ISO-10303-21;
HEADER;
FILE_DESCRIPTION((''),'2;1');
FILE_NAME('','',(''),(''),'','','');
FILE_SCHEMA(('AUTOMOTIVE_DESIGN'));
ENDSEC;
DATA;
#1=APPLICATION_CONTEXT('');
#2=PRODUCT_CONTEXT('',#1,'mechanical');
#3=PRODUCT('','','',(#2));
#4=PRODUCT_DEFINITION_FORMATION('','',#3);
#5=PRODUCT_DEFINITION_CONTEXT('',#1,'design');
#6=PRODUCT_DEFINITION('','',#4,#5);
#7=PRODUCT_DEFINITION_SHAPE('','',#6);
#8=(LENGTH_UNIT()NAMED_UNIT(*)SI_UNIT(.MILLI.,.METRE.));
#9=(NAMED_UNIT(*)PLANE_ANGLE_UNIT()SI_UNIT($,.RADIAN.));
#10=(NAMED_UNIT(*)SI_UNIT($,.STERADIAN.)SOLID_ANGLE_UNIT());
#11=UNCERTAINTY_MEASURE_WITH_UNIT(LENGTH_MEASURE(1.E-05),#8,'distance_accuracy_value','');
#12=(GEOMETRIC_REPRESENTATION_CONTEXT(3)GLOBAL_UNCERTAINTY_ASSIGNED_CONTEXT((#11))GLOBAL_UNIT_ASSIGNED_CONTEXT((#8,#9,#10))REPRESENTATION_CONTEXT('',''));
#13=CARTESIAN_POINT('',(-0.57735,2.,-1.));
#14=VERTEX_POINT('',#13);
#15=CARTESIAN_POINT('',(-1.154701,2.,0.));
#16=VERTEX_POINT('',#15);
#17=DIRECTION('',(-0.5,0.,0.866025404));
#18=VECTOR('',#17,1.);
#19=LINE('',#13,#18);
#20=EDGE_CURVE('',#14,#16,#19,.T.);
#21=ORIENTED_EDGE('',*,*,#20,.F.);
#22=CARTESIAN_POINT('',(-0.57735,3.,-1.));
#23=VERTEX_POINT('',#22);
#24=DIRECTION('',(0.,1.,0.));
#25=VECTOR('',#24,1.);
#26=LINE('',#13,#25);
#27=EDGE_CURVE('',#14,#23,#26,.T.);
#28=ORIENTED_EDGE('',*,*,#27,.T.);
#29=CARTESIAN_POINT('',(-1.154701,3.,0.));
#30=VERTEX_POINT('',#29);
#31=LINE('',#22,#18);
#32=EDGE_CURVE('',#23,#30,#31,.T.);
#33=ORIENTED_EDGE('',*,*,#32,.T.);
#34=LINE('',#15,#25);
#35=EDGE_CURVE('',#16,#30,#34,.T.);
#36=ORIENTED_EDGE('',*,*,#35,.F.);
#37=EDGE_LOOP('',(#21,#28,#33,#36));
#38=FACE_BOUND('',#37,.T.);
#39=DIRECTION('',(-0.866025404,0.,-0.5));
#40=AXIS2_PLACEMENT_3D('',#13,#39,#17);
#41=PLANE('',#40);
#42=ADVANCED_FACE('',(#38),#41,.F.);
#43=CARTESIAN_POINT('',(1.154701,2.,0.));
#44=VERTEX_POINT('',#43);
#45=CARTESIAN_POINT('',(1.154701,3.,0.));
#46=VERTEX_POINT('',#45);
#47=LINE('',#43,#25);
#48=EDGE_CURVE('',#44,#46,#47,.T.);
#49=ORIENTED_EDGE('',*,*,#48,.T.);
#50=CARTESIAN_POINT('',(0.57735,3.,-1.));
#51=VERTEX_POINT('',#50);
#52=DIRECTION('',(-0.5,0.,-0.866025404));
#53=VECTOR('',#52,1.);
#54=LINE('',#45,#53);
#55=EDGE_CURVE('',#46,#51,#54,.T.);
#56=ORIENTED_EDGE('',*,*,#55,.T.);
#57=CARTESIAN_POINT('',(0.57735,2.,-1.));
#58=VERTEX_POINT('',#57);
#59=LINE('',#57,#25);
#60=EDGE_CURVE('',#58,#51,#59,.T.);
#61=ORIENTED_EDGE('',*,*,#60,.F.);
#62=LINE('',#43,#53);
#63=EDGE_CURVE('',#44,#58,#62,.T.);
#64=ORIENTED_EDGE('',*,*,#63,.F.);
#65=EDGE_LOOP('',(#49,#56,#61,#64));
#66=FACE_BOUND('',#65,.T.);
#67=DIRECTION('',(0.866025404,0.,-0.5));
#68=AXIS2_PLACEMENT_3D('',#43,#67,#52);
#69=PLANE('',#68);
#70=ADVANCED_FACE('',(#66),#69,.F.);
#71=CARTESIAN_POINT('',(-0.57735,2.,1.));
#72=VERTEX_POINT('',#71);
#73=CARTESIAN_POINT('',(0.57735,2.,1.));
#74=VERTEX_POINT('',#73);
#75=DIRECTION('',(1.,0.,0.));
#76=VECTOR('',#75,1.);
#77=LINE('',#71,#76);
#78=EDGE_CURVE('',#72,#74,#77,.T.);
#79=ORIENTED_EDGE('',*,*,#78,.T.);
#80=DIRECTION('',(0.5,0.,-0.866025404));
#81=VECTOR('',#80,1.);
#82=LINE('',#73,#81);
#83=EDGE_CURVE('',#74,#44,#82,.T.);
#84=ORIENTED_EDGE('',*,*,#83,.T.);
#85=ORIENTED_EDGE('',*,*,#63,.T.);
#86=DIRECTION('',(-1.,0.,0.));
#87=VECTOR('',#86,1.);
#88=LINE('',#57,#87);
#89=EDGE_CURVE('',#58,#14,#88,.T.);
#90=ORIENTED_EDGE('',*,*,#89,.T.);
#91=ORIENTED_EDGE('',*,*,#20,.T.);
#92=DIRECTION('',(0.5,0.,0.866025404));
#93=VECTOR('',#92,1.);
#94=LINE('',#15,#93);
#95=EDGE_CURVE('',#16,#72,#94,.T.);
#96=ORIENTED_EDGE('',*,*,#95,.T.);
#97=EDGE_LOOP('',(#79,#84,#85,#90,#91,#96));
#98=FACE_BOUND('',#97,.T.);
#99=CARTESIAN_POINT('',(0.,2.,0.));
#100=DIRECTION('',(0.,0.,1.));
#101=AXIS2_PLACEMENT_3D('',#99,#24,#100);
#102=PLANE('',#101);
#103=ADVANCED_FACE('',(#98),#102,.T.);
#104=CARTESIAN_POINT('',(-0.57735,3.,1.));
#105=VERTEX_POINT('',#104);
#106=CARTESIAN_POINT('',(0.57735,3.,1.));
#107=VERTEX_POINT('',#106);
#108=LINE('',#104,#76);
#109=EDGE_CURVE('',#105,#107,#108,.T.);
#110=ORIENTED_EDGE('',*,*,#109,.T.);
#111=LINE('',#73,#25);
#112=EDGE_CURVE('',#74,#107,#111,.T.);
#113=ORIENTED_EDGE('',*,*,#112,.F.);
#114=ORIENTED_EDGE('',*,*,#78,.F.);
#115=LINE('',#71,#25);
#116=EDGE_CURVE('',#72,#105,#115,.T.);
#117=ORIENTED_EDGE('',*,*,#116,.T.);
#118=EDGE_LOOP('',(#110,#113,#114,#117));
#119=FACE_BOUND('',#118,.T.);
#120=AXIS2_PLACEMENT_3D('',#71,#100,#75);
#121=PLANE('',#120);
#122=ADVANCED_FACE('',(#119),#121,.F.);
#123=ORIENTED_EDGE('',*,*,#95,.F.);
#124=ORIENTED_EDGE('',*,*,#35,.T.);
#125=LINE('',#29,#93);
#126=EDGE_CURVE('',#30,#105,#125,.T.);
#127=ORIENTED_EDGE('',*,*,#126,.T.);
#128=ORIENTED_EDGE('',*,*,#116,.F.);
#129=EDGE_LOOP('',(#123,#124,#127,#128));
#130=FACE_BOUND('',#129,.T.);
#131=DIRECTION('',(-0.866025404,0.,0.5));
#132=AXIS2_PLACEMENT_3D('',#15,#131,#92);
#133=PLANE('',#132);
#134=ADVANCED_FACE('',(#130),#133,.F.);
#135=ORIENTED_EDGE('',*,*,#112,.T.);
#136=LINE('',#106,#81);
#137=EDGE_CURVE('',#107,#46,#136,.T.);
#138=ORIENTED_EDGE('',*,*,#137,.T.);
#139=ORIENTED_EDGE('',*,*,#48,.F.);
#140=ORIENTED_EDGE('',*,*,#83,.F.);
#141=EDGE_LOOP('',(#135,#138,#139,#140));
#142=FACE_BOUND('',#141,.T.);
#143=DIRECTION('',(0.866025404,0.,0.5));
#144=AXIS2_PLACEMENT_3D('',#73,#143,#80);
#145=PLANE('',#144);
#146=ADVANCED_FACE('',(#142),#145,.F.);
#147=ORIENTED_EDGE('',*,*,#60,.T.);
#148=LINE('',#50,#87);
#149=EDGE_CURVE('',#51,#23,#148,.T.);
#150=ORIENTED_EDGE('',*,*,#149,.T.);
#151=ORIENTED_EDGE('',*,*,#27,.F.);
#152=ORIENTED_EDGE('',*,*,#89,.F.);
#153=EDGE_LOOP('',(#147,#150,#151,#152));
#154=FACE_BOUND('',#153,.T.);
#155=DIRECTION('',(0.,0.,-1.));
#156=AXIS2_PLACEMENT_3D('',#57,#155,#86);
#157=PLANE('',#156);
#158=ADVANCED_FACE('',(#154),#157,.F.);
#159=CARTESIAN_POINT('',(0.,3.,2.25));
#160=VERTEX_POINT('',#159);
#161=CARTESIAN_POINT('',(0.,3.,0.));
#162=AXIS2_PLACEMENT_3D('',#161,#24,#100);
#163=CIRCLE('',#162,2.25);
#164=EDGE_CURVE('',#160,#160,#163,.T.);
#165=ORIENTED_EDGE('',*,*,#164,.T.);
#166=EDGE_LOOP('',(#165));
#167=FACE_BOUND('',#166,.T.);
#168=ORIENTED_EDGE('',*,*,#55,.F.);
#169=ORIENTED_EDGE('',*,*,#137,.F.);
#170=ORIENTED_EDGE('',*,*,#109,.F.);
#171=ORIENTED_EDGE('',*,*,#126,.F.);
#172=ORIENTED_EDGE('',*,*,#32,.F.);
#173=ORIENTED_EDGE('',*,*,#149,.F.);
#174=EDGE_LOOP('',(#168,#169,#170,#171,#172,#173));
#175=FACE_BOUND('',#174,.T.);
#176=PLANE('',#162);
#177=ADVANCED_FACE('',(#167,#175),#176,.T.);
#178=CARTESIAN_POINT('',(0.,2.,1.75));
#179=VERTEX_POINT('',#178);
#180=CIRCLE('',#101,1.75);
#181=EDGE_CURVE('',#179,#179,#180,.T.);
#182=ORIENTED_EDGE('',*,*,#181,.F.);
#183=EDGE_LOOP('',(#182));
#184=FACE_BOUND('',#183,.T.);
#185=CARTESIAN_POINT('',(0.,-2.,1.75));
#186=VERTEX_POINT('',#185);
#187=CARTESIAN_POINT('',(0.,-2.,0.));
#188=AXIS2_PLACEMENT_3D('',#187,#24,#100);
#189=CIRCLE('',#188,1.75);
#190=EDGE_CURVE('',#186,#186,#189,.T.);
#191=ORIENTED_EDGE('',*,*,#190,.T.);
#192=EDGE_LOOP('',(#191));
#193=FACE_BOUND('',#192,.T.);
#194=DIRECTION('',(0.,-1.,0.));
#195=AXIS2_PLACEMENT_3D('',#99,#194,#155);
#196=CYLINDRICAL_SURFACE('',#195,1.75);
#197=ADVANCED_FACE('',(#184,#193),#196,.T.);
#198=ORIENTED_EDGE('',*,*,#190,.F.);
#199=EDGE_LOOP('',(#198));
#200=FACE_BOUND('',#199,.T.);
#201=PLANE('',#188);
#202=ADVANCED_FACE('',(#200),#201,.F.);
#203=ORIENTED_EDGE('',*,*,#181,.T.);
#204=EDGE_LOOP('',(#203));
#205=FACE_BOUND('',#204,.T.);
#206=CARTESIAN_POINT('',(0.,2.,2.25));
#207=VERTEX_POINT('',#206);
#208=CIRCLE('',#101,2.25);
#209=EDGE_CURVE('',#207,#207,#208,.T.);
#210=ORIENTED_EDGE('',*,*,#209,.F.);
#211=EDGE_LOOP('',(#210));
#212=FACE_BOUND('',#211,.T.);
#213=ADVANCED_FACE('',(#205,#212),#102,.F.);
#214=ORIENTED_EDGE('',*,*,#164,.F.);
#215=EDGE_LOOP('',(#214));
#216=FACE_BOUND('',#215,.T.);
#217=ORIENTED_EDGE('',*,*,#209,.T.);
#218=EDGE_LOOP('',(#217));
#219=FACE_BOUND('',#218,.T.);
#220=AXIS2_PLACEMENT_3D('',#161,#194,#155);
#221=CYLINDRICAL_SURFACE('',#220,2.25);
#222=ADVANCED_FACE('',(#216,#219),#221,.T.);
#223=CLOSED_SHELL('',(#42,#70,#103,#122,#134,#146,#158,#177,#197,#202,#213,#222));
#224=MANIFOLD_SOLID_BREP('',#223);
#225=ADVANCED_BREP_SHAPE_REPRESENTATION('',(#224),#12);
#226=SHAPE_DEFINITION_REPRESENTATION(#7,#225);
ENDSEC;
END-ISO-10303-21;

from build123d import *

# Parameters (mm, degrees)
SKETCH1_R           = 1.75
BOSS_EXTRUDE1_DEPTH = 2
SKETCH2_R           = 2.25
BOSS_EXTRUDE2_DEPTH = 1
CUT_EXTRUDE1_DEPTH  = 1


with BuildPart() as part:
    # Sketch1 → Boss-Extrude1 (new, symmetric)
    with BuildSketch(Plane(origin=(0, 0, 0), x_dir=(1, 0, 0), z_dir=(0, 1, 0))):
        with Locations(Location((0, 0, 0), (0, 0, 270))):
            Circle(SKETCH1_R)
    extrude(amount=BOSS_EXTRUDE1_DEPTH, both=True)

    # Sketch2 → Boss-Extrude2 (add)
    with BuildSketch(Plane(origin=(0, 2, 0), x_dir=(1, 0, 0), z_dir=(0, 1, 0))):
        with Locations(Location((0, 0, 0), (0, 0, 270))):
            Circle(SKETCH2_R)
    extrude(amount=BOSS_EXTRUDE2_DEPTH)

    # Sketch3 → Cut-Extrude1 (cut)
    with BuildSketch(Plane(origin=(0, 3, 0), x_dir=(1, 0, 0), z_dir=(0, 1, 0))):
        Polygon((1.154700538, 0), (0.577350269, 1), (-0.577350269, 1), (-1.154700538, 0), (-0.577350269, -1), (0.577350269, -1), align=None)
    extrude(amount=-CUT_EXTRUDE1_DEPTH, mode=Mode.SUBTRACT)


solid = part.part
